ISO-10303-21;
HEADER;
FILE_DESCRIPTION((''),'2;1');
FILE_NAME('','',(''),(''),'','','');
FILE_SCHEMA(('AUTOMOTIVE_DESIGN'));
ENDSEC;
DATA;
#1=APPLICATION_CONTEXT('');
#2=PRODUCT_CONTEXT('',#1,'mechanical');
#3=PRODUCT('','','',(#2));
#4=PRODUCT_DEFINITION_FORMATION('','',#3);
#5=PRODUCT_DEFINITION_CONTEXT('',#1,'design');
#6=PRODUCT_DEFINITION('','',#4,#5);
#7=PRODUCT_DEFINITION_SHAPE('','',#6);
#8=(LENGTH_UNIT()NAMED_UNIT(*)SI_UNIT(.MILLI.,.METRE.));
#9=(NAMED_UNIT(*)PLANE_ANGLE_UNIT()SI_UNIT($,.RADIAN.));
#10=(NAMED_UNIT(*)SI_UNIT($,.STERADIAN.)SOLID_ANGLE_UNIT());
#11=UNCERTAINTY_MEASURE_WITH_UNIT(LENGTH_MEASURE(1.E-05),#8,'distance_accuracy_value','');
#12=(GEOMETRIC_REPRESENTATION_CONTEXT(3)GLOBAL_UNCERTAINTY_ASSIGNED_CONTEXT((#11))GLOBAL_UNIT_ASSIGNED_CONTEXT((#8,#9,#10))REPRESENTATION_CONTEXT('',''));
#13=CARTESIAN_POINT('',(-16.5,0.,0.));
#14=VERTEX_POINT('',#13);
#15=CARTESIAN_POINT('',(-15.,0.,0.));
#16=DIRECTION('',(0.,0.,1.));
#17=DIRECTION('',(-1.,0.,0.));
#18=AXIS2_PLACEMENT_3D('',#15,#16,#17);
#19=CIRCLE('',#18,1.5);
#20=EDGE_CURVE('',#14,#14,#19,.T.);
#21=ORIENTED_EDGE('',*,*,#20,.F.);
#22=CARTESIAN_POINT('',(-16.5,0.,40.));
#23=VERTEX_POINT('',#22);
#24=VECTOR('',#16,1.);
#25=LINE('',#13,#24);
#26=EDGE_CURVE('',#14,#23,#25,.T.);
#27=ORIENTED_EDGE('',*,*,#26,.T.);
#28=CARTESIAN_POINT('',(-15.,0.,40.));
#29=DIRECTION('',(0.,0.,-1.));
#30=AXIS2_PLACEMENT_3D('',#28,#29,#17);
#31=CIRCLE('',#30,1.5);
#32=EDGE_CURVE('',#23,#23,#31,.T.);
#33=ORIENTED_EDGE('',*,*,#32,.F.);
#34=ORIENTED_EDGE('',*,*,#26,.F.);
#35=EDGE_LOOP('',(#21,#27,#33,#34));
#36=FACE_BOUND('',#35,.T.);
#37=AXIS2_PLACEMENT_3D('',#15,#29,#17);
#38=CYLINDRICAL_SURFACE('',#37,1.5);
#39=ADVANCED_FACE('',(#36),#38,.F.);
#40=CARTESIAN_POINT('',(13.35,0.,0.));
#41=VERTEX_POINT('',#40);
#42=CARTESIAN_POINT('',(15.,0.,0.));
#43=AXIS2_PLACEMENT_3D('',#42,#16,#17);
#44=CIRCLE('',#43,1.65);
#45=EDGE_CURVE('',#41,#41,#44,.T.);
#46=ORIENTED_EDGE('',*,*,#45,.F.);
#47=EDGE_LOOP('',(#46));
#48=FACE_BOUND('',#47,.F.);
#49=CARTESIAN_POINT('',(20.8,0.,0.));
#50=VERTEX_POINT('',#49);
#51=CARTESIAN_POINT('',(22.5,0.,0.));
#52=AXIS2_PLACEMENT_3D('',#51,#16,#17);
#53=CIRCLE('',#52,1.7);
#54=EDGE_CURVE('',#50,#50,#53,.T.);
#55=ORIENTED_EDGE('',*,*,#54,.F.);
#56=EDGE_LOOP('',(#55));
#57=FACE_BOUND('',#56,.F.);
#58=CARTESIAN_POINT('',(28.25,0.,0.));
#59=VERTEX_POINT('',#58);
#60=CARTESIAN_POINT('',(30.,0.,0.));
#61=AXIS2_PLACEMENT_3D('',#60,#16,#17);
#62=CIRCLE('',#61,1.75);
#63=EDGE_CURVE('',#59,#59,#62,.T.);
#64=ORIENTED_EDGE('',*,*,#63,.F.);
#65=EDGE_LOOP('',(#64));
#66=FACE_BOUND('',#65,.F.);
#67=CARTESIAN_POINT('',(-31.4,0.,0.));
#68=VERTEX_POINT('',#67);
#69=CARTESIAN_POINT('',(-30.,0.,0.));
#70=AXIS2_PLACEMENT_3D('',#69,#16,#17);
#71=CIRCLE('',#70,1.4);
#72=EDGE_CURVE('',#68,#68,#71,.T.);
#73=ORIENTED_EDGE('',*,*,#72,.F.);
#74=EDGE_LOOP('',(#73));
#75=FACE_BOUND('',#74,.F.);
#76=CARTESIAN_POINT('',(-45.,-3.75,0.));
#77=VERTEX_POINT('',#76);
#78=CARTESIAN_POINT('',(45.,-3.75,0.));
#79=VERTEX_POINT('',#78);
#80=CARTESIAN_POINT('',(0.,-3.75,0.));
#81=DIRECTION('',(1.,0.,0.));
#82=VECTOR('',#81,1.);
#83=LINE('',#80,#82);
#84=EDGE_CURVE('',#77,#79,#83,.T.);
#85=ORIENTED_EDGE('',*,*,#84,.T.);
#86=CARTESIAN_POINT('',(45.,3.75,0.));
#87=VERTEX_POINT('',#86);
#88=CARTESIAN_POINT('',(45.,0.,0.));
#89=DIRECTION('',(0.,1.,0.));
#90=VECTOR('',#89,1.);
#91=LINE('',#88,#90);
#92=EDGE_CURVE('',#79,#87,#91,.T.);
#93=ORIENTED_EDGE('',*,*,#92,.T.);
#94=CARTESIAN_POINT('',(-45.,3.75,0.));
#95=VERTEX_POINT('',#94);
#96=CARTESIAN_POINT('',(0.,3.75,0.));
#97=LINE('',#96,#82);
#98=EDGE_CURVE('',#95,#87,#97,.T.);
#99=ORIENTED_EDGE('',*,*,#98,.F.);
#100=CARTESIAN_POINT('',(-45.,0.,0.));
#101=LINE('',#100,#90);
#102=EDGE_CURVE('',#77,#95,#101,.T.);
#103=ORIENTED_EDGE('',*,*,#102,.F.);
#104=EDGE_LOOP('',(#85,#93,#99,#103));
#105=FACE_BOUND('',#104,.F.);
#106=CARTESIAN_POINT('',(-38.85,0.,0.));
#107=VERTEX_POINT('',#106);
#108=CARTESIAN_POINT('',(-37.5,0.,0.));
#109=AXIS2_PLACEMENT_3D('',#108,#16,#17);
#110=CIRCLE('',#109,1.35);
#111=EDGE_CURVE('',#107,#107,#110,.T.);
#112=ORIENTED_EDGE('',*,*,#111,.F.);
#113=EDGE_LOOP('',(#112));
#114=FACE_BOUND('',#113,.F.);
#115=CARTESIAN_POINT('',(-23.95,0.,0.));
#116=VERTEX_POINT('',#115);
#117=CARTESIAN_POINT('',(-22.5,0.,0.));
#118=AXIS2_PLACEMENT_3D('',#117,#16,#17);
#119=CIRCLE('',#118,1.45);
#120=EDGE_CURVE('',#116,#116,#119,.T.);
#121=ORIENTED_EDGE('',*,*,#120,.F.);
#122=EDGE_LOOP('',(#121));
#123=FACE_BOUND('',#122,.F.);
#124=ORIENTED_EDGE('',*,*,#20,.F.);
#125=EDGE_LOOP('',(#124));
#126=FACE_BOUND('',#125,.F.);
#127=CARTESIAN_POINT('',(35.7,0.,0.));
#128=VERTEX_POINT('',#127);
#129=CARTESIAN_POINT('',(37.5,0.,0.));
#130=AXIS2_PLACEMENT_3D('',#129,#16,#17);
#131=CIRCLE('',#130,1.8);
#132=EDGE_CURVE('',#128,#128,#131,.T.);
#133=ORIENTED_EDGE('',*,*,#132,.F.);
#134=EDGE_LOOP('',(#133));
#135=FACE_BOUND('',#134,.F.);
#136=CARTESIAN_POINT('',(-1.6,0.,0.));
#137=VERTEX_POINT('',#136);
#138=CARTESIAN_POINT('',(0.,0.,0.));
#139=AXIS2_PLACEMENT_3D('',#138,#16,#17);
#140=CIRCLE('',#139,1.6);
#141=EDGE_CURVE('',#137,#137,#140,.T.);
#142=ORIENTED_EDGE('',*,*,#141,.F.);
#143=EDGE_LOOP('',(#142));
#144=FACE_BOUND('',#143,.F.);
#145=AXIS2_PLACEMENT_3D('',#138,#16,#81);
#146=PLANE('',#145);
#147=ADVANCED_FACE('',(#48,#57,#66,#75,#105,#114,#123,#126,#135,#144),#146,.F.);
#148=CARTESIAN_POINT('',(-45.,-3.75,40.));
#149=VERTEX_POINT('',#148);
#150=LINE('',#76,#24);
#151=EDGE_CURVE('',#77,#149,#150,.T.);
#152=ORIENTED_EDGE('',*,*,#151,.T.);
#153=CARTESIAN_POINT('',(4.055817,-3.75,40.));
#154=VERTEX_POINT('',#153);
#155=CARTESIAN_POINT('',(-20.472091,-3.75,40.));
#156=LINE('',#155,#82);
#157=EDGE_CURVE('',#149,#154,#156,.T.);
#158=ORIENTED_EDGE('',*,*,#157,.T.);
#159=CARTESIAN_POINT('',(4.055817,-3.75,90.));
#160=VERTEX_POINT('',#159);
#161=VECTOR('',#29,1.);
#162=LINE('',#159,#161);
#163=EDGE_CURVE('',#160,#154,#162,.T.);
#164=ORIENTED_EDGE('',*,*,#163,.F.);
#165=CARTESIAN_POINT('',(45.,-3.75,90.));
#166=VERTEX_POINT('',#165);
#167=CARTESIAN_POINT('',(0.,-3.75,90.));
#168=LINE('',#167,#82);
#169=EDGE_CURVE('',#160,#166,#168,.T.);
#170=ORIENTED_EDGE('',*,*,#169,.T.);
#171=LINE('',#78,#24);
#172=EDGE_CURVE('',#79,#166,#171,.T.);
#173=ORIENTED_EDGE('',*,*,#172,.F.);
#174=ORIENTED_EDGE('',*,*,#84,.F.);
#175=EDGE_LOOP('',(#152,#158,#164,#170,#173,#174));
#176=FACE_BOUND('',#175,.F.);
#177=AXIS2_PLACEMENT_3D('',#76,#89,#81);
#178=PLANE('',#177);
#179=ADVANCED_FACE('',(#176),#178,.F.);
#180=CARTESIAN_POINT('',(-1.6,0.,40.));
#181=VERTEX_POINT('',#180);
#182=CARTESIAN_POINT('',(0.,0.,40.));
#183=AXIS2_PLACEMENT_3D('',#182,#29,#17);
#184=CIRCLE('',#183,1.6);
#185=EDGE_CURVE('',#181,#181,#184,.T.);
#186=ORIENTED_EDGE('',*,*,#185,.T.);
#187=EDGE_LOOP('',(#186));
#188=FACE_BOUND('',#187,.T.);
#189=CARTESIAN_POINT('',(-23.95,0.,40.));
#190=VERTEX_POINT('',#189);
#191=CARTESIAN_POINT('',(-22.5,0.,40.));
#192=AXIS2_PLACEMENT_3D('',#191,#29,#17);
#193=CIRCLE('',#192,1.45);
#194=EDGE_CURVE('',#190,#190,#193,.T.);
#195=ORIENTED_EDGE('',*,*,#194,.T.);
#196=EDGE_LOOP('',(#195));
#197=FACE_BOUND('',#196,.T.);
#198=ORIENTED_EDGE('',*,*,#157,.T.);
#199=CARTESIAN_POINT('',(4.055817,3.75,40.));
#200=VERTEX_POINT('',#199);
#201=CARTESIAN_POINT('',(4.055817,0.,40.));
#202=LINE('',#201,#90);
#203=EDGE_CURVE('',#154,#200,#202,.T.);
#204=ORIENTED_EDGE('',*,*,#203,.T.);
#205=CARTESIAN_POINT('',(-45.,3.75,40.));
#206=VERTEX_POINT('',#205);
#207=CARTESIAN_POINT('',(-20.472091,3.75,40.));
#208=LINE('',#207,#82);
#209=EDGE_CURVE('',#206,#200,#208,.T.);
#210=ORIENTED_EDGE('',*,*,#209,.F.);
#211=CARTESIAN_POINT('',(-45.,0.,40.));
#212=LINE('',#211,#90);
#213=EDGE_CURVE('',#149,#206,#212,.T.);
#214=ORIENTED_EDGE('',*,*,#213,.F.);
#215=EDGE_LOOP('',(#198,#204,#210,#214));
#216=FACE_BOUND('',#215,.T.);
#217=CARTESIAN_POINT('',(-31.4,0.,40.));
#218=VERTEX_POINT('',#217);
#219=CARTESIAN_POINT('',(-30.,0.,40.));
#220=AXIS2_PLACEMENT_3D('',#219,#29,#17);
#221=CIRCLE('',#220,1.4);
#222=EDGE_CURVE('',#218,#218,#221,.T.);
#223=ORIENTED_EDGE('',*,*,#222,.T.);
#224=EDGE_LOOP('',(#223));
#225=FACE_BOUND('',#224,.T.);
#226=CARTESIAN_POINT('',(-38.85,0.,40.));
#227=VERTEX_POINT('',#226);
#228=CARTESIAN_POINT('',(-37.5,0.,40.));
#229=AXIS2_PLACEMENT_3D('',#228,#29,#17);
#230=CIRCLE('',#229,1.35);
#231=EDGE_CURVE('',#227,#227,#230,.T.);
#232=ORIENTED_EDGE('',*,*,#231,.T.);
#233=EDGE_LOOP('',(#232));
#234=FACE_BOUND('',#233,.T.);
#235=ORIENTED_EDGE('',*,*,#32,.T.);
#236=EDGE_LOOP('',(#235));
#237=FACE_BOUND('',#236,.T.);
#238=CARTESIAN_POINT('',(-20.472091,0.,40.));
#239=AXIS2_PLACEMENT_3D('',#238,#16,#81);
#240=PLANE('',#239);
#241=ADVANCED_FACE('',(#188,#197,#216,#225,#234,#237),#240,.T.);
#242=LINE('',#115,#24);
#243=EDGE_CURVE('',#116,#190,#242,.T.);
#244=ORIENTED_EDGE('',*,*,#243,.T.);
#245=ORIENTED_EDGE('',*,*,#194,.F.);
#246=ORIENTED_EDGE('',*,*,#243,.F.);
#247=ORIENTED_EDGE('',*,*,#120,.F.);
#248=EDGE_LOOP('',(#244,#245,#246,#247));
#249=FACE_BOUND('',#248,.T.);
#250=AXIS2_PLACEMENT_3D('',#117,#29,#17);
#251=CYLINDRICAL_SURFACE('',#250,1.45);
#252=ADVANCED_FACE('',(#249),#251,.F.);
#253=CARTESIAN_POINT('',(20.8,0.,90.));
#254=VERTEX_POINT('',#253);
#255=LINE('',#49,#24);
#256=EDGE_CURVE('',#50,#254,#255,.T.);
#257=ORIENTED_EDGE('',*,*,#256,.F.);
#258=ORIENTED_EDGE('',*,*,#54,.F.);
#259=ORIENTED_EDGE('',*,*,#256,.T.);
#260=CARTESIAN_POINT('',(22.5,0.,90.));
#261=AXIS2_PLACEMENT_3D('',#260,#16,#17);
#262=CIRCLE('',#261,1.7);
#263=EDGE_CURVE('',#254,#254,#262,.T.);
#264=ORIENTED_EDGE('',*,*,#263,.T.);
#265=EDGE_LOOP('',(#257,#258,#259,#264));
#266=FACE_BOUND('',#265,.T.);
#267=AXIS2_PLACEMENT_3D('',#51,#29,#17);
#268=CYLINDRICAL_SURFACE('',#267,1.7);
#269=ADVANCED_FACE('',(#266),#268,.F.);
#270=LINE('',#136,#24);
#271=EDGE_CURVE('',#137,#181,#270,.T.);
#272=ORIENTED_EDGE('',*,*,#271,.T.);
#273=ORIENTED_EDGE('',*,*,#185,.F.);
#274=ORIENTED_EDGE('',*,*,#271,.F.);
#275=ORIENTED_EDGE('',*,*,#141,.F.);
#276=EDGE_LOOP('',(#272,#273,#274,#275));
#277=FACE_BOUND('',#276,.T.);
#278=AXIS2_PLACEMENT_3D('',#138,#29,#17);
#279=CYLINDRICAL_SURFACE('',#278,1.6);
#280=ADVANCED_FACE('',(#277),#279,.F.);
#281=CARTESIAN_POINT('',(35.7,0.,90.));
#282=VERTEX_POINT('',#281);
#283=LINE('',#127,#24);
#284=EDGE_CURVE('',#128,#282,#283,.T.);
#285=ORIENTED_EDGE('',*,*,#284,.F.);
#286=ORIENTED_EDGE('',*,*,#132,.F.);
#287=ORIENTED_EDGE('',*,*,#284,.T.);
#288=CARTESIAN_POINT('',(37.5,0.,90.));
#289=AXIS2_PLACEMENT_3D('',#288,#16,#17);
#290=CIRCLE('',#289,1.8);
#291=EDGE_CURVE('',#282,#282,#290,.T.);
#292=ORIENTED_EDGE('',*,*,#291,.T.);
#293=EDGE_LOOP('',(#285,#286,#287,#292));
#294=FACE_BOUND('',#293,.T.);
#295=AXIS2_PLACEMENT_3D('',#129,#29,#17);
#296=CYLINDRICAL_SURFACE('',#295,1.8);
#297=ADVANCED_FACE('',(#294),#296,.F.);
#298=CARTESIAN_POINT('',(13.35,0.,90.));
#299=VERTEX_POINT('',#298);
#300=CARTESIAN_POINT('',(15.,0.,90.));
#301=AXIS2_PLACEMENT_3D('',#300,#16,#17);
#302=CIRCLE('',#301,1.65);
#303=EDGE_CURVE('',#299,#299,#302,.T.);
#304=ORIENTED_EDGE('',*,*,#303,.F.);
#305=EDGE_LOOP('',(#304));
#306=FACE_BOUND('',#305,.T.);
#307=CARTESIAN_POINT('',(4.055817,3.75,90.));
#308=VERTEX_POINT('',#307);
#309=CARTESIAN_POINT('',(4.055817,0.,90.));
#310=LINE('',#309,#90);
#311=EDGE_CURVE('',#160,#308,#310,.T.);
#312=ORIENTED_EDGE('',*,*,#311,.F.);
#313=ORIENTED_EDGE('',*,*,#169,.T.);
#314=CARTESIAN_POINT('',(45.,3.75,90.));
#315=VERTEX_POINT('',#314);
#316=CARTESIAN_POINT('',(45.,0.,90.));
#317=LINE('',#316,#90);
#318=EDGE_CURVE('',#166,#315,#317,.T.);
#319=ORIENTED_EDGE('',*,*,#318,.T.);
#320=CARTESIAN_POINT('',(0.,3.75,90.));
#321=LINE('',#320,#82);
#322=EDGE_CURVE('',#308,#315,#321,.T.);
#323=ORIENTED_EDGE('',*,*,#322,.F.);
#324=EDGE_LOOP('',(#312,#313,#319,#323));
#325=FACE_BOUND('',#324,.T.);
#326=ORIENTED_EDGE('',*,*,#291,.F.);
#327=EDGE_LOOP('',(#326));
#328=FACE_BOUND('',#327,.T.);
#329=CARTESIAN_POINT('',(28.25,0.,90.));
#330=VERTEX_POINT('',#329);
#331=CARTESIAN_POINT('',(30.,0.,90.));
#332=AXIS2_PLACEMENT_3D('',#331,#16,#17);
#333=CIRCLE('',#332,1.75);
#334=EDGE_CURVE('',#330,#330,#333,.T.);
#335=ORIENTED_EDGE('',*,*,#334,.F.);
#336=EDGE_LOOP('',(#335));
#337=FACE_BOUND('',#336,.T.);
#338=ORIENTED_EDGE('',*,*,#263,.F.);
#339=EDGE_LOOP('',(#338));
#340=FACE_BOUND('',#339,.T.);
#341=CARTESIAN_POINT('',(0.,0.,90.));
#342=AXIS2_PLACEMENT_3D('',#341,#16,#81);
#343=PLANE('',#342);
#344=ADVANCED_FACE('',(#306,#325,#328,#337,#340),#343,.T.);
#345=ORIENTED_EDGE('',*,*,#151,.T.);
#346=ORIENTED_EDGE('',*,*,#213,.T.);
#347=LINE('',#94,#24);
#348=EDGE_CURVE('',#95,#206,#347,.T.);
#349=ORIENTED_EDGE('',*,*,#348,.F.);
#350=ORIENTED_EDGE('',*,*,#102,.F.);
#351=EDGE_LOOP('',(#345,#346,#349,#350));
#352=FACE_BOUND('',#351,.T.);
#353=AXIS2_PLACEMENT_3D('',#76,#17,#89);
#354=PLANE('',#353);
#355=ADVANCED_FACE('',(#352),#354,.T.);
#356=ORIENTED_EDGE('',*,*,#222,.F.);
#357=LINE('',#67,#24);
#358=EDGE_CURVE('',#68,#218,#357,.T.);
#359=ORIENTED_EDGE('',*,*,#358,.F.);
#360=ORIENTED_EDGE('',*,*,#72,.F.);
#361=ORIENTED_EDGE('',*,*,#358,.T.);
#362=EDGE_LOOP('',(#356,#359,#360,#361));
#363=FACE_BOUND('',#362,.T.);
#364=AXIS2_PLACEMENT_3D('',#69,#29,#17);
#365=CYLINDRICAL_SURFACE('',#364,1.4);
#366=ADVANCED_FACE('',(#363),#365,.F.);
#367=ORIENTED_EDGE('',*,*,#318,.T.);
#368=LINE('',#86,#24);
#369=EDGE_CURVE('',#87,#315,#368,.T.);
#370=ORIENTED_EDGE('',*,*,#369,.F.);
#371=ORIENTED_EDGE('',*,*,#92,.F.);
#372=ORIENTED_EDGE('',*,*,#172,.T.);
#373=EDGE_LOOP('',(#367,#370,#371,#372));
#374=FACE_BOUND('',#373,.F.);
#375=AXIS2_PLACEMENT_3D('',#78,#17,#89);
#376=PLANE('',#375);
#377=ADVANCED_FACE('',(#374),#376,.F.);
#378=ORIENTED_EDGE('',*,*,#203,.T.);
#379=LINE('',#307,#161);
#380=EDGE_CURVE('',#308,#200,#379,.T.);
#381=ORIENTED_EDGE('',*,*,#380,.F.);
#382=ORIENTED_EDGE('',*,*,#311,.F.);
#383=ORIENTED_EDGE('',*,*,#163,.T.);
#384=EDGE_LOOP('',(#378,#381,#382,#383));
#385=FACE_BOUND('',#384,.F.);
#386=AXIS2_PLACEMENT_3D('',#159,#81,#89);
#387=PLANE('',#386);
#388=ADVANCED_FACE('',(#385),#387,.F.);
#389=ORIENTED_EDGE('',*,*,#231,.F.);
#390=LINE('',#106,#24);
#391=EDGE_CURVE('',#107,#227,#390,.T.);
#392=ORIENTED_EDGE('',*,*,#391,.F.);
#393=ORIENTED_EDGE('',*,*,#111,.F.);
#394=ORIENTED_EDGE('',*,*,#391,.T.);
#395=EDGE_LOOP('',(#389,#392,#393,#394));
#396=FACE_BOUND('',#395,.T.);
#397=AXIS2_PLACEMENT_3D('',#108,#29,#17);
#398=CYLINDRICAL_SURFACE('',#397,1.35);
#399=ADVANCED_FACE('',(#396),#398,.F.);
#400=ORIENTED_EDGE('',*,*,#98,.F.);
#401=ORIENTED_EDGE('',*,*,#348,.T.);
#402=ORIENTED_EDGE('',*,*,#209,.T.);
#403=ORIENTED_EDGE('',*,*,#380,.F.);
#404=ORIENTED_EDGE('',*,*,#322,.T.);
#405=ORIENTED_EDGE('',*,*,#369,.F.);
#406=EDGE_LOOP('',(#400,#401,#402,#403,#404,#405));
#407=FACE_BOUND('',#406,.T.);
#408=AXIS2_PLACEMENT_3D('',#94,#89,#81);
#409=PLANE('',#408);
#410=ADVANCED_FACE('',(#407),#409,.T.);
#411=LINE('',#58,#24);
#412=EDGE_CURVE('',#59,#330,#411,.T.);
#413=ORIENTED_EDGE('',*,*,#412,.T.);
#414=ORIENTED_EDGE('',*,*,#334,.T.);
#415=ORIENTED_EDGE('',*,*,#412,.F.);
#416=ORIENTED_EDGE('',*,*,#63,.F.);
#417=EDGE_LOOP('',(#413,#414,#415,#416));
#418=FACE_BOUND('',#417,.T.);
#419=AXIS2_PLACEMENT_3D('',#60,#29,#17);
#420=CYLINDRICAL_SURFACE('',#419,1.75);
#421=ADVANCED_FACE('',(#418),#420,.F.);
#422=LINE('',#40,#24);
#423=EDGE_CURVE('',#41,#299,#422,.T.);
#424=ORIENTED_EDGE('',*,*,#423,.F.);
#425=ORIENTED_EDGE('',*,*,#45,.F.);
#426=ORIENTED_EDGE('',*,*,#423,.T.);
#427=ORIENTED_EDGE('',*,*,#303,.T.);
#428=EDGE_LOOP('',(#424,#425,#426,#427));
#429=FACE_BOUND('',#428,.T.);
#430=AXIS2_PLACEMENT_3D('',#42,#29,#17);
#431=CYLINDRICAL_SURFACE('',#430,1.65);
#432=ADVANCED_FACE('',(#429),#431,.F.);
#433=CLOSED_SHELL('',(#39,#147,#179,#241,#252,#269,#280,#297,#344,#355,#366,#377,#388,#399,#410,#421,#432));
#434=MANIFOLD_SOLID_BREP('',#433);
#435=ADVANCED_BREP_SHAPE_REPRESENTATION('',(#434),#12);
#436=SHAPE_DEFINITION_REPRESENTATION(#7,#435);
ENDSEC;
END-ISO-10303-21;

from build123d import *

# Parameters (mm, degrees)
SKETCH1_W           = 90
SKETCH1_H           = 7.5
SKETCH1_R           = 1.35
SKETCH1_R_2         = 1.4
SKETCH1_R_3         = 1.45
SKETCH1_R_4         = 1.5
SKETCH1_R_5         = 1.6
SKETCH1_R_6         = 1.65
SKETCH1_R_7         = 1.7
SKETCH1_R_8         = 1.8
SKETCH1_R_9         = 1.75
BOSS_EXTRUDE1_DEPTH = 90
SKETCH2_W           = 49.055817317
SKETCH2_H           = 7.5
CUT_EXTRUDE1_DEPTH  = 50


with BuildPart() as part:
    # Sketch1 → Boss-Extrude1 (new body)
    with BuildSketch(Plane.XY):
        Rectangle(SKETCH1_W, SKETCH1_H)
        with Locations(Location((-37.5, 0, 0), (0, 0, 180))):
            Circle(SKETCH1_R, mode=Mode.SUBTRACT)
        with Locations(Location((-30, 0, 0), (0, 0, 180))):
            Circle(SKETCH1_R_2, mode=Mode.SUBTRACT)
        with Locations(Location((-22.5, 0, 0), (0, 0, 180))):
            Circle(SKETCH1_R_3, mode=Mode.SUBTRACT)
        with Locations(Location((-15, 0, 0), (0, 0, 180))):
            Circle(SKETCH1_R_4, mode=Mode.SUBTRACT)
        with Locations(Location((0, 0, 0), (0, 0, 180))):
            Circle(SKETCH1_R_5, mode=Mode.SUBTRACT)
        with Locations(Location((15, 0, 0), (0, 0, 180))):
            Circle(SKETCH1_R_6, mode=Mode.SUBTRACT)
        with Locations(Location((22.5, 0, 0), (0, 0, 180))):
            Circle(SKETCH1_R_7, mode=Mode.SUBTRACT)
        with Locations(Location((37.5, 0, 0), (0, 0, 180))):
            Circle(SKETCH1_R_8, mode=Mode.SUBTRACT)
        with Locations(Location((30, 0, 0), (0, 0, 180))):
            Circle(SKETCH1_R_9, mode=Mode.SUBTRACT)
    extrude(amount=BOSS_EXTRUDE1_DEPTH)

    # Sketch2 → Cut-Extrude1 (cut)
    with BuildSketch(Plane.XY.offset(90)):
        with Locations((-20.472091342, 0)):
            Rectangle(SKETCH2_W, SKETCH2_H)
    extrude(amount=-CUT_EXTRUDE1_DEPTH, mode=Mode.SUBTRACT)


solid = part.part
